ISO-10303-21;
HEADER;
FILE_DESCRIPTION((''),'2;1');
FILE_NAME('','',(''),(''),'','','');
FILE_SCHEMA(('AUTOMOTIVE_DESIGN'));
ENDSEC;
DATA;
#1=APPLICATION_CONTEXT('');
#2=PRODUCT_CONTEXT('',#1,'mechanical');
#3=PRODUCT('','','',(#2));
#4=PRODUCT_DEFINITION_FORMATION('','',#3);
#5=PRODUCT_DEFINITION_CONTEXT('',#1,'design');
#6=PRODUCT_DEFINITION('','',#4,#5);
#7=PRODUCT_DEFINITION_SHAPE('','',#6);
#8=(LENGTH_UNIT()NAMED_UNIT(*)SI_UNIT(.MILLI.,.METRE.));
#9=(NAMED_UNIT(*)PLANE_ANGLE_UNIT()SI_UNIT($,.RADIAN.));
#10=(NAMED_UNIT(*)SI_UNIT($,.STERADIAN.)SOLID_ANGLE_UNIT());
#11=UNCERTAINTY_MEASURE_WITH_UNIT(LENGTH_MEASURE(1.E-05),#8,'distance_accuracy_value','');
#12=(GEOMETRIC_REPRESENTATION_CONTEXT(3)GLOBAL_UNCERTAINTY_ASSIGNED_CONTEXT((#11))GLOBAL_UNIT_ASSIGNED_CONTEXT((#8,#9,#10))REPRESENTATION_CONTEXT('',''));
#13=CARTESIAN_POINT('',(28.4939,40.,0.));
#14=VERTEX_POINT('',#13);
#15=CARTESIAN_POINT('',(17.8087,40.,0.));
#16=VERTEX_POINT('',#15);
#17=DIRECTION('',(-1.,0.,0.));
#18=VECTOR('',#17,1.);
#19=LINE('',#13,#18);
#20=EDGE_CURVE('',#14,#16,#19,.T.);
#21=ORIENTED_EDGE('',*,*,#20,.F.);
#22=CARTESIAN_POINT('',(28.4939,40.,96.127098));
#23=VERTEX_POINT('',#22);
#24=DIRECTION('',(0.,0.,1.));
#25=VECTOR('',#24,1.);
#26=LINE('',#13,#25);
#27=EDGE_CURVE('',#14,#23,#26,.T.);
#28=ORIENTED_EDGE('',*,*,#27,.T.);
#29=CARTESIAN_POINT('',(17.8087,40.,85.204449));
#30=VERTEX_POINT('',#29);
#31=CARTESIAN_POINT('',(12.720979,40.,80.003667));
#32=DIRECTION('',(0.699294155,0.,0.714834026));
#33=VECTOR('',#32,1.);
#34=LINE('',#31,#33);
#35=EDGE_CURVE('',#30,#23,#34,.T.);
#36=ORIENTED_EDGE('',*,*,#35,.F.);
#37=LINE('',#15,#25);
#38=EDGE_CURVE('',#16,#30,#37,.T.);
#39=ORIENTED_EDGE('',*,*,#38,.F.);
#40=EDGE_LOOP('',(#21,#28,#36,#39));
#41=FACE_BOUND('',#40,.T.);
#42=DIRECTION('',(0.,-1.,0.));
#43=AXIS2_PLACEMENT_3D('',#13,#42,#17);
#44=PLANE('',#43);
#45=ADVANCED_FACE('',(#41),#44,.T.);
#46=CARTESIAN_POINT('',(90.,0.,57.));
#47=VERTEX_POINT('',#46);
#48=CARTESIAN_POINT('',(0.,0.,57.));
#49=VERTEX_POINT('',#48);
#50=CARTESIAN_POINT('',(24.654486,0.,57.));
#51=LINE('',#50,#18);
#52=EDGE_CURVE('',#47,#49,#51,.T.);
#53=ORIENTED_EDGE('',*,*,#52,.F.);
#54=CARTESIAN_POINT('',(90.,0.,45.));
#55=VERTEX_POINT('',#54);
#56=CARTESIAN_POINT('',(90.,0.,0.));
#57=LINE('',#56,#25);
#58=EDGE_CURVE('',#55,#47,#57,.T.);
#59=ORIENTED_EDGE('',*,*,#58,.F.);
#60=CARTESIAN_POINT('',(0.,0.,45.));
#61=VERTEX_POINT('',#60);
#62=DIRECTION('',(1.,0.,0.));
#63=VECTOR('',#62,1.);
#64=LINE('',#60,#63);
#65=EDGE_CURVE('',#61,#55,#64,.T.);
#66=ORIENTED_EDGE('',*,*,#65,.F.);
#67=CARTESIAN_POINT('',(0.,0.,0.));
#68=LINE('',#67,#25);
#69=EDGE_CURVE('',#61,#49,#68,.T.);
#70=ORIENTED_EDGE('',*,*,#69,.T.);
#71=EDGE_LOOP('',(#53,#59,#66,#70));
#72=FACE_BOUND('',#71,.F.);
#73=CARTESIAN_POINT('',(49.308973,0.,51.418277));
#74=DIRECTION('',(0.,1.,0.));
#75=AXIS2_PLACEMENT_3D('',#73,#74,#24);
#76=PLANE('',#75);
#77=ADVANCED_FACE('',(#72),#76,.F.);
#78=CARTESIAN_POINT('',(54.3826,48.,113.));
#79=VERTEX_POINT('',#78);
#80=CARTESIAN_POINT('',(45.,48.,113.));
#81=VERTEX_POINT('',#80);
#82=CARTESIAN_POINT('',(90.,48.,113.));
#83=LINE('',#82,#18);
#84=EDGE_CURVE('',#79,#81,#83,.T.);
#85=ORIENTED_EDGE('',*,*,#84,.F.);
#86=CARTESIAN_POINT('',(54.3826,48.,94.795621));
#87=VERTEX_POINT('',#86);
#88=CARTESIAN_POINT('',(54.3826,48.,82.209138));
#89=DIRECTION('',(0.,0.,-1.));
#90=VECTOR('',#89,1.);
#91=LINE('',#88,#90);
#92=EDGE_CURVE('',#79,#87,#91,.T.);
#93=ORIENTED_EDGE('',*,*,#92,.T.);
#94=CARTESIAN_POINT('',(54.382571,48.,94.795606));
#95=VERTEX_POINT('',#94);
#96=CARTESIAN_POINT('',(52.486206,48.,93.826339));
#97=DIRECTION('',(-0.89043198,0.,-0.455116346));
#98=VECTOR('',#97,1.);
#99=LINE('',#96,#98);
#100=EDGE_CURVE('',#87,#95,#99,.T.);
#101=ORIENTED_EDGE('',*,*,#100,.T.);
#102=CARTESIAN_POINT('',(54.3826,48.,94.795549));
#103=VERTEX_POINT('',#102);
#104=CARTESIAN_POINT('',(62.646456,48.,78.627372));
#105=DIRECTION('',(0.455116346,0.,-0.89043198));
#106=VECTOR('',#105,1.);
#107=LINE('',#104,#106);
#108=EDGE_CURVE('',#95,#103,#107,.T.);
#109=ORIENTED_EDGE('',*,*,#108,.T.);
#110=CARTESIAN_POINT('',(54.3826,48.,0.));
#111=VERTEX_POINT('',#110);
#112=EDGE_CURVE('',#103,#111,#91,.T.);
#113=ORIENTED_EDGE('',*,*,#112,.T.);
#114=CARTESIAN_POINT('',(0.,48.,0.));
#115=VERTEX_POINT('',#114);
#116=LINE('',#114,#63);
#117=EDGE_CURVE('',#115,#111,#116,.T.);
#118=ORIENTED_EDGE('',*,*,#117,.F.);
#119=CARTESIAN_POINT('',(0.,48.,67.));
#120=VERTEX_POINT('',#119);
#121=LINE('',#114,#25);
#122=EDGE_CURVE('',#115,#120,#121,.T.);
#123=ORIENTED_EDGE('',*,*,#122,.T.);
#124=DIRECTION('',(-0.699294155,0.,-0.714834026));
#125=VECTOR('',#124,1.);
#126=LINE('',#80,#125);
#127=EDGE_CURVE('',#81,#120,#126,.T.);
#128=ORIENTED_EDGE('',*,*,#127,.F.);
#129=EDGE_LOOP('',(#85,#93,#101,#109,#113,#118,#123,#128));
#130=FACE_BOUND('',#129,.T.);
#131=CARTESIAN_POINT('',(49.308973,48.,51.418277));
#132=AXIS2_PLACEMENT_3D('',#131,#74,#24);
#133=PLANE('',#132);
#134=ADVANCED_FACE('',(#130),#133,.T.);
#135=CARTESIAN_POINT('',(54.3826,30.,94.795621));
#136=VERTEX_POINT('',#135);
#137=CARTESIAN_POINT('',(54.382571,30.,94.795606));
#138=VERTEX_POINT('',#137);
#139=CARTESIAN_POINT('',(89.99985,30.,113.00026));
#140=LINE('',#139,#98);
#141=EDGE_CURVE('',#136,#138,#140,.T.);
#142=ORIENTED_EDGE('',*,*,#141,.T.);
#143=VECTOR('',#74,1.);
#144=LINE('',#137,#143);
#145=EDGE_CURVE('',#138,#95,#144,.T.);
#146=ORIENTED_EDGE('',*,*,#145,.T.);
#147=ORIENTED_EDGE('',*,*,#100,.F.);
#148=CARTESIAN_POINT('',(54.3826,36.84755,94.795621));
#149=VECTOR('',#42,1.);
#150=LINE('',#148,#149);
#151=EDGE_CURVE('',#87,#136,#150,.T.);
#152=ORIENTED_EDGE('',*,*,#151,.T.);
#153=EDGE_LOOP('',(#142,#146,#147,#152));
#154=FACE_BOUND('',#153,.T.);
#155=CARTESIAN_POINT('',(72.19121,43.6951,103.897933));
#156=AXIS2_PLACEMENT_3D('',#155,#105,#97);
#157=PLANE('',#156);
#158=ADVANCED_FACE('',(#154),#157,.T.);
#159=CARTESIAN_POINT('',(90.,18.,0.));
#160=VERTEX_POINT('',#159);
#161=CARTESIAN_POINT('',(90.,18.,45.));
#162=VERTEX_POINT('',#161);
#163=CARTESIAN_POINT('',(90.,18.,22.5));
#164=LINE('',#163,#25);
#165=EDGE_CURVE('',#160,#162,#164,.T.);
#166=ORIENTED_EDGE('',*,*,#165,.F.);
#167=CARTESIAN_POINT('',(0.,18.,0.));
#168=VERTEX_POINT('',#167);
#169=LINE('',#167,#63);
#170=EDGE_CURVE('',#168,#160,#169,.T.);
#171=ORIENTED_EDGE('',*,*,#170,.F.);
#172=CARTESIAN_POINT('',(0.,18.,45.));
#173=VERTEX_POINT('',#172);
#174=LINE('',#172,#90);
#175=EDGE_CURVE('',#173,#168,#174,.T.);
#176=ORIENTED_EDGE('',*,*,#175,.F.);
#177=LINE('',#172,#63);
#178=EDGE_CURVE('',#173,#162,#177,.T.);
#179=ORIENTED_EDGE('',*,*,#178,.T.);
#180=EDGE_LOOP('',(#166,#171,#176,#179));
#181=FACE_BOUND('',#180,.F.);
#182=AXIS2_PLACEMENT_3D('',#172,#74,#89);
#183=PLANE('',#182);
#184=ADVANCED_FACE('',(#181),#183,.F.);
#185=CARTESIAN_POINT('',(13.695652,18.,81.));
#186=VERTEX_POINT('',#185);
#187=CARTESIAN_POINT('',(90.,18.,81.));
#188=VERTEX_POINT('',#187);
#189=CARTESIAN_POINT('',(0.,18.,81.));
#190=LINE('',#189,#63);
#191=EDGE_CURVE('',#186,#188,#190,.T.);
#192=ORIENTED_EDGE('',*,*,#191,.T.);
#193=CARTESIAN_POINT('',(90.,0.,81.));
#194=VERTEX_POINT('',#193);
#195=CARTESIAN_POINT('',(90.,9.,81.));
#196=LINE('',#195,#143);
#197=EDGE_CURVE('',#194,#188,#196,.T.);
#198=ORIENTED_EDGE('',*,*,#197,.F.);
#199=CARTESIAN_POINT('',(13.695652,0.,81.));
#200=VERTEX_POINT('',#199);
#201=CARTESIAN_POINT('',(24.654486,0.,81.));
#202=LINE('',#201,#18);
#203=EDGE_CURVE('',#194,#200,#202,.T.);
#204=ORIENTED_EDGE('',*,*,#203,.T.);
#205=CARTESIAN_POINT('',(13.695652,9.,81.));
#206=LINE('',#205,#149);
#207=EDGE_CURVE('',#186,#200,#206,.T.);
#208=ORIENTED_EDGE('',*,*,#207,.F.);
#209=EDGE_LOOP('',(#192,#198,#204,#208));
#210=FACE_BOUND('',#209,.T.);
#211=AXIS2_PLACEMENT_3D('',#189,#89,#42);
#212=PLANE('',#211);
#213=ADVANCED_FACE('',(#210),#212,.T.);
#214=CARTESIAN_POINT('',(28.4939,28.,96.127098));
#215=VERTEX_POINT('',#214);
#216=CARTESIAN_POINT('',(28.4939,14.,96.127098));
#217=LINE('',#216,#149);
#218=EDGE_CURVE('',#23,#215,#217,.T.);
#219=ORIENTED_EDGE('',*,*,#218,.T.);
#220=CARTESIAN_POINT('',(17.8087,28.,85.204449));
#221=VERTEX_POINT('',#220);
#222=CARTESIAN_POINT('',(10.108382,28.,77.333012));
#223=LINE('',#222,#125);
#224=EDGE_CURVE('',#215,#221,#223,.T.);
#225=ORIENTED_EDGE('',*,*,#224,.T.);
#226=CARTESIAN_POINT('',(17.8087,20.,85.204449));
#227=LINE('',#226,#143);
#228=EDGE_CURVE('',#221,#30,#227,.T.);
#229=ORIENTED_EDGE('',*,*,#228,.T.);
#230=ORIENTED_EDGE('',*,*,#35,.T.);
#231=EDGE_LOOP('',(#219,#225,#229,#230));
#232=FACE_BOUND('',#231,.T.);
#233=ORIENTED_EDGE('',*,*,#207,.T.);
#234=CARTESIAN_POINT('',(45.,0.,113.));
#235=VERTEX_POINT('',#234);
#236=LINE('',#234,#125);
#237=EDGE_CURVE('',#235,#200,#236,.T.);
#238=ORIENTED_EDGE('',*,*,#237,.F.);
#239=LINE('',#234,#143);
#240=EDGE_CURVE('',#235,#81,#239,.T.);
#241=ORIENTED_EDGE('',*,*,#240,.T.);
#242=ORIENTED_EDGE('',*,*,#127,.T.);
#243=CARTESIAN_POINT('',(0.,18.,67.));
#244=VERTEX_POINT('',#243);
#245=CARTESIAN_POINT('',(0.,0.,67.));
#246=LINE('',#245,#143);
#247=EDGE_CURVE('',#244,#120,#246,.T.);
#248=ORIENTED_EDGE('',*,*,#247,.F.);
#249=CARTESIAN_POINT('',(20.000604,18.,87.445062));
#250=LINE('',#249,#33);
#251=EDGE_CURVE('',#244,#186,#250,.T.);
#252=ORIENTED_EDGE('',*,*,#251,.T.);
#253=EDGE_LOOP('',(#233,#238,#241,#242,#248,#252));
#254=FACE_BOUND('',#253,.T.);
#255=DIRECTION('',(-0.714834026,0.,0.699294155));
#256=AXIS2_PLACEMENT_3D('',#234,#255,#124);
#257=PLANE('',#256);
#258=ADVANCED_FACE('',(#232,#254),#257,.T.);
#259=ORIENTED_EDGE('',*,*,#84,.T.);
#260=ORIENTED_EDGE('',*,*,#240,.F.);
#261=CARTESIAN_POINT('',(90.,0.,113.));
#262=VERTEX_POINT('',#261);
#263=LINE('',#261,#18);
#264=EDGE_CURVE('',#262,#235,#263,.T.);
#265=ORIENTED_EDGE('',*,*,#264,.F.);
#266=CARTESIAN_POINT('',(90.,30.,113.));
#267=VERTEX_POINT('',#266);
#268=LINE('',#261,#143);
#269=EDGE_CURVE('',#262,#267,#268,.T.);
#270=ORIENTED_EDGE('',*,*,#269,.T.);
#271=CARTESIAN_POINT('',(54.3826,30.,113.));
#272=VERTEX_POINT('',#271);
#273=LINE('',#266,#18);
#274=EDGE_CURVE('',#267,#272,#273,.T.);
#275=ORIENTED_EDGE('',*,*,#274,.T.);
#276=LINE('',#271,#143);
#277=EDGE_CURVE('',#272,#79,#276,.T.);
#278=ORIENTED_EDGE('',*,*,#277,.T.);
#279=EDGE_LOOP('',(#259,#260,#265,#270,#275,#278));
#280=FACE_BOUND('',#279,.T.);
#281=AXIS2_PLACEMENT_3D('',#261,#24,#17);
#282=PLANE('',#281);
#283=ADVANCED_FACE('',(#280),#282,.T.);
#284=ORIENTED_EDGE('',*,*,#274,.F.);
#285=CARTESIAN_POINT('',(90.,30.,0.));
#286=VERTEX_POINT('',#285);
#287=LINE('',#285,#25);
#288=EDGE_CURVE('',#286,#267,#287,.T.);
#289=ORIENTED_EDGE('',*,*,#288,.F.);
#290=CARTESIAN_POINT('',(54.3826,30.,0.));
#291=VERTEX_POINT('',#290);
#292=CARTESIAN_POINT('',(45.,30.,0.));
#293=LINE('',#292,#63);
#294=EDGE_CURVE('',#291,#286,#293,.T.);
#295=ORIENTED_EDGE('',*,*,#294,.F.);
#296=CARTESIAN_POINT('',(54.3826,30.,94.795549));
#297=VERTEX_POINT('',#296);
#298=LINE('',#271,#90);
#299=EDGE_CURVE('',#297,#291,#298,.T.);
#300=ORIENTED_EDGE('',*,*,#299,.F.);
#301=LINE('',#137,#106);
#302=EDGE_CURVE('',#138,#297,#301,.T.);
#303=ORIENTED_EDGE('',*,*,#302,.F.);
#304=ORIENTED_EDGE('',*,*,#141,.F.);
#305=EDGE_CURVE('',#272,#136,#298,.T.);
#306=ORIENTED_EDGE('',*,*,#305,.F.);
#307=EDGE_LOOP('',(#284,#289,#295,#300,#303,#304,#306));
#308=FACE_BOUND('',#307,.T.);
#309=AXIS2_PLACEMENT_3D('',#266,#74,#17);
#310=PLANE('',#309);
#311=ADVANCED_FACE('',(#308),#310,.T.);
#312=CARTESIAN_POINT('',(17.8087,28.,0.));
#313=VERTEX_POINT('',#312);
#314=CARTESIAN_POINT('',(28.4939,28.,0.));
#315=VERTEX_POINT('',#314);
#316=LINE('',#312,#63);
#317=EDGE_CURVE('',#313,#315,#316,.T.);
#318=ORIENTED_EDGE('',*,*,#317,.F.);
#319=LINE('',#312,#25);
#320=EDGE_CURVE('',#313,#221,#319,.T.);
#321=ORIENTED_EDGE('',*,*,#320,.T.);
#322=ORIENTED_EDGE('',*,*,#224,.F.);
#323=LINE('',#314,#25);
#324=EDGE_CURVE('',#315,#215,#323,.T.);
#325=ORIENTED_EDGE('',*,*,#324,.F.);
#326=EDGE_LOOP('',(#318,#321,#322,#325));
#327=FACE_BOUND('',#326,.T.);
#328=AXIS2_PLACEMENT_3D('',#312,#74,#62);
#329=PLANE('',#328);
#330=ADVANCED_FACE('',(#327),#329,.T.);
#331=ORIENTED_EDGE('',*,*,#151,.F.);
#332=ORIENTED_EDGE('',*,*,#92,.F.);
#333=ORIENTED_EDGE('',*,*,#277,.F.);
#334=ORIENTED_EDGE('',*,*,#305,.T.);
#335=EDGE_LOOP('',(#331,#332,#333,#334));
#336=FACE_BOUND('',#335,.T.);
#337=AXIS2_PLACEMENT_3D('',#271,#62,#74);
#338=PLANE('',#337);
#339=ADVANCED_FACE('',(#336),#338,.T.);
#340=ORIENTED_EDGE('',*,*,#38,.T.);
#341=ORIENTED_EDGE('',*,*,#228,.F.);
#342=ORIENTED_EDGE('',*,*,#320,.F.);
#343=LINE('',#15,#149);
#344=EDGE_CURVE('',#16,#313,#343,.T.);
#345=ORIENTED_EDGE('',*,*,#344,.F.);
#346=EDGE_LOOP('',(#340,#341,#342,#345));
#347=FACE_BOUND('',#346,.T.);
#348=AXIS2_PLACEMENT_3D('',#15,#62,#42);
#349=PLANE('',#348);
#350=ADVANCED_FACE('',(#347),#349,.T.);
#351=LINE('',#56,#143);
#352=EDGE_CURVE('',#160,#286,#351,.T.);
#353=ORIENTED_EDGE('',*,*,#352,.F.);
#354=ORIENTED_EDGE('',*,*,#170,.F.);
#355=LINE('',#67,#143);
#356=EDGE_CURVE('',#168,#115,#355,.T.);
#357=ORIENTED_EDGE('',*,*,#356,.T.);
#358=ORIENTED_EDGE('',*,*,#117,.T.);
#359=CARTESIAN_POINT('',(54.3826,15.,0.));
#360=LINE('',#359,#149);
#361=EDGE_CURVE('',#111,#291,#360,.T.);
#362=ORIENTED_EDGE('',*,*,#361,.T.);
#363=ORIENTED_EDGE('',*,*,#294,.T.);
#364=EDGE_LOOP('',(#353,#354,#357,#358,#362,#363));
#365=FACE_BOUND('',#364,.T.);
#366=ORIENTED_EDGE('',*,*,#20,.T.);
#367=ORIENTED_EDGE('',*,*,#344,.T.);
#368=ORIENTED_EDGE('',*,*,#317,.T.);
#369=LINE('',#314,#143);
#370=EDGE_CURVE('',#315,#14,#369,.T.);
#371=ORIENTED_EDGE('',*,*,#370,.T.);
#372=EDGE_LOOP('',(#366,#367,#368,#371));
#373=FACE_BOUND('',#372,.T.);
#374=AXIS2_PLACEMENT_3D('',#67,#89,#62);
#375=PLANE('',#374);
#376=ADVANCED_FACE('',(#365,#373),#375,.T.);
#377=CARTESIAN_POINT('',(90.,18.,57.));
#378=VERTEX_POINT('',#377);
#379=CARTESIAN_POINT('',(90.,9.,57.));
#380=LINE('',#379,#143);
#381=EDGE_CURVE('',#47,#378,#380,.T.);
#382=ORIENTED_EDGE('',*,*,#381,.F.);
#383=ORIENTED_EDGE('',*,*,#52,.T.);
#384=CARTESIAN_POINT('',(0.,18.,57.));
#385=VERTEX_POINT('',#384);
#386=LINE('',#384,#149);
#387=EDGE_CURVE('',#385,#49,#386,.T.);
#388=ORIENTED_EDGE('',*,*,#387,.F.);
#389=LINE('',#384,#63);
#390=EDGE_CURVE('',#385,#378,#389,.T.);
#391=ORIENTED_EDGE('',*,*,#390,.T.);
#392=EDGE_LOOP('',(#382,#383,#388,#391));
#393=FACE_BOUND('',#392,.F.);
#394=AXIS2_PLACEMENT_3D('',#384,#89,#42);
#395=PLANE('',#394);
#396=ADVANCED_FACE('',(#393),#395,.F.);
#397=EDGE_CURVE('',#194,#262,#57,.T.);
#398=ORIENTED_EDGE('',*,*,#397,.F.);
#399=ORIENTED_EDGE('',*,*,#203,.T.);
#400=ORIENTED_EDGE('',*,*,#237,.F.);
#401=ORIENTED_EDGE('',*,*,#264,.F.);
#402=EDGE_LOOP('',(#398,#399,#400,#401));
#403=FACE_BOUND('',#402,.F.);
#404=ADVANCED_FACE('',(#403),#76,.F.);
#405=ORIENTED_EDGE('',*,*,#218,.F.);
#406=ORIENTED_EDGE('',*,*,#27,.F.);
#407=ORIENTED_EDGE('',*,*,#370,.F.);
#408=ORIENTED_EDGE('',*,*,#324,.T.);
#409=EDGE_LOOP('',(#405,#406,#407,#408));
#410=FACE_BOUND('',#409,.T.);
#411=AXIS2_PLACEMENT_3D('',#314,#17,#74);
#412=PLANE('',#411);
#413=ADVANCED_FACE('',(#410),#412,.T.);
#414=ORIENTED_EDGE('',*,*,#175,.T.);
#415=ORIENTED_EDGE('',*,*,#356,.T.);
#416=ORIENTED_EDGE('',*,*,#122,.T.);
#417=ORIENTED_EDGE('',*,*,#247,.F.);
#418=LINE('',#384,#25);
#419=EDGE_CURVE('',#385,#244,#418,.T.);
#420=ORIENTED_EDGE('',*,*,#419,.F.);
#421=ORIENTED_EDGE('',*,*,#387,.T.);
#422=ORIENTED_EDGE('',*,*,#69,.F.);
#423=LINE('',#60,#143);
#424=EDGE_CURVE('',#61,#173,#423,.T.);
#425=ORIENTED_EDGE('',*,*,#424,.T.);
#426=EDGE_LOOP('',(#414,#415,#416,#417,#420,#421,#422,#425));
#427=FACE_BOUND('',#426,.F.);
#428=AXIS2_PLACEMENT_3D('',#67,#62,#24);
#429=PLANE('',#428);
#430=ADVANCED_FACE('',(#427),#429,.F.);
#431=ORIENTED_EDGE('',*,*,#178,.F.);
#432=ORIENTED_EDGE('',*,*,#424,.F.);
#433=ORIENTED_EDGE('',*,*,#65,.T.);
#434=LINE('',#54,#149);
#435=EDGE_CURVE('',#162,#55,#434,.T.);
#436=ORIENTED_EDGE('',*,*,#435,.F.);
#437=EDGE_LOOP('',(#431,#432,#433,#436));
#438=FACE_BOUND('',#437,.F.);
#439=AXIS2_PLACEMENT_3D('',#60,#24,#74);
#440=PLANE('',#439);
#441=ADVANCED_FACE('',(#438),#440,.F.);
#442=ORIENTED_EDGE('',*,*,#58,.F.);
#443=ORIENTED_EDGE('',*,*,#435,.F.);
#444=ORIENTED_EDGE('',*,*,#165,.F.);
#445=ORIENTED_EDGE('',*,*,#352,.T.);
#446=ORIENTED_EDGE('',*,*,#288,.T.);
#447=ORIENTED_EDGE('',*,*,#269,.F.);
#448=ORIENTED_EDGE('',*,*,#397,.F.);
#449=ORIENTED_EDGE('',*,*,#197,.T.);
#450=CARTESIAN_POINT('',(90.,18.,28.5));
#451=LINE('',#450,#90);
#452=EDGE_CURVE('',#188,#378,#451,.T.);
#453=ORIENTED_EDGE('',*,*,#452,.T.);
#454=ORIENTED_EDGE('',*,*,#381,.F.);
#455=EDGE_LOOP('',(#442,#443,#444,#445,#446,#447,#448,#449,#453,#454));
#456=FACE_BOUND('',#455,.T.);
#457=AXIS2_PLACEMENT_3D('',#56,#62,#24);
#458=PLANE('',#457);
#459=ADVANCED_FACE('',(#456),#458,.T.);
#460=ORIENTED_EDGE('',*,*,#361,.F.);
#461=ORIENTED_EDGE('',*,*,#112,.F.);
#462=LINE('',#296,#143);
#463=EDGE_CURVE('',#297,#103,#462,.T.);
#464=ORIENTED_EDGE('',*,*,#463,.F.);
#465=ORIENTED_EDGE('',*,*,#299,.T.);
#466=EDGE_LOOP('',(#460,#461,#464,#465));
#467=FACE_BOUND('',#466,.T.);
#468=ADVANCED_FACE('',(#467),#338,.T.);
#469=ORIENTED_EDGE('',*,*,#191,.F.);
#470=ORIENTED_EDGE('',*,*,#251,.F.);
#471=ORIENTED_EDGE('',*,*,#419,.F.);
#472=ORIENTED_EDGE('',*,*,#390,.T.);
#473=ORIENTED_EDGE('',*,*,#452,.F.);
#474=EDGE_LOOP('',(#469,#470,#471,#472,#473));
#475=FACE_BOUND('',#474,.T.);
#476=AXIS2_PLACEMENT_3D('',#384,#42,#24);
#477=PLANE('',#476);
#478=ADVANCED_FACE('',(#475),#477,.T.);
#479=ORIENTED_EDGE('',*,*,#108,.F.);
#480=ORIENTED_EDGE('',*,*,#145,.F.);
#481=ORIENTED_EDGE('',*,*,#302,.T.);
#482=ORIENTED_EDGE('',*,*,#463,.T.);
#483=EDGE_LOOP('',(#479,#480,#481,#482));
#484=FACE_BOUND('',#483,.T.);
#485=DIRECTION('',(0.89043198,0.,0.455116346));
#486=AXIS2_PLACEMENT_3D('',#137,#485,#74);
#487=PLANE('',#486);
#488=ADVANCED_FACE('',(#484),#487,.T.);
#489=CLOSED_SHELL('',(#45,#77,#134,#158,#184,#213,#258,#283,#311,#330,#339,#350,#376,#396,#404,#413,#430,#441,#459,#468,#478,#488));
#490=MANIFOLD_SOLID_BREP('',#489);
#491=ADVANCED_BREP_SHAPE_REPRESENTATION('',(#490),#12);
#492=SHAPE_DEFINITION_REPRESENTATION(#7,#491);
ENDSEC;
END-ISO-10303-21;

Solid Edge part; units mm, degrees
sketch "Sketch1" plane through (0, 0, 0) normal (0, -1, 0) x (1, 0, 0)
  line L0 (0, 0) -> (0, 67)
  line L1 (45, 113) -> (0, 67)
  line L2 (90, 113) -> (45, 113)
  line L3 (90, 0) -> (90, 113)
  line L4 (0, 0) -> (90, 0)
extrude "Protrusion1" add sketch "Sketch1" against normal blind 48
sketch "Sketch2" plane through (0, 24, 33.5) normal (-1, 0, 0) x (0, -1, 0)
  line L0 (6, 47.5) -> (31.2141, 47.5)
  line L1 (31.2141, 23.5) -> (31.2141, 47.5)
  line L2 (6, 23.5) -> (31.2141, 23.5)
  line L3 (6, 23.5) -> (6, 47.5)
extrude "ExtrudedCutout_5" cut sketch "Sketch2" against normal blind 119.7329
sketch "Sketch3" plane through (0, 24, 33.5) normal (-1, 0, 0) x (0, -1, 0)
  line L0 (24, 11.5) -> (6, 11.5)
  line L1 (6, 11.5) -> (6, -33.5)
  line L2 (6, -33.5) -> (6, -39.0842)
  line L3 (6, -39.0842) -> (32.5581, -39.0842)
  line L4 (32.5581, 11.5) -> (32.5581, -39.0842)
  line L5 (24, 11.5) -> (32.5581, 11.5)
extrude "ExtrudedCutout_7" cut sketch "Sketch3" against normal blind 121.1095
sketch "Sketch4" plane through (45, 24, 90) normal (-0.4551, 0, 0.8904) x (0, -1, 0)
  line L0 (-6, 50.5371) -> (-6, 10.5371)
  line L1 (-6, 10.5371) -> (-33.3902, 10.5371)
  line L2 (-33.3902, 10.5371) -> (-33.3902, 50.5371)
  line L3 (-33.3902, 50.5371) -> (-6, 50.5371)
extrude "ExtrudedCutout_8" cut sketch "Sketch4" against normal blind 192.3862
sketch "Sketch5" plane through (45, 33, 0) normal (0, 0, -1) x (0, -1, 0)
  line L0 (-7, 27.1913) -> (5, 27.1913)
  line L1 (5, 27.1913) -> (5, 16.5061)
  line L2 (5, 16.5061) -> (-7, 16.5061)
  line L3 (-7, 16.5061) -> (-7, 27.1913)
extrude "ExtrudedCutout_9" cut sketch "Sketch5" against normal blind 129.7045
sketch "Sketch6" plane through (67.5, 24, 113) normal (0, 0, 1) x (0, -1, 0)
  line L0 (-6, 22.5) -> (-6, -13.1174)
  line L1 (-6, -13.1174) -> (-33.3902, -13.1174)
  line L2 (-33.3902, -13.1174) -> (-33.3902, 22.5)
  line L3 (-33.3902, 22.5) -> (-6, 22.5)
extrude "ExtrudedCutout_10" cut sketch "Sketch6" against normal blind 144.9371
